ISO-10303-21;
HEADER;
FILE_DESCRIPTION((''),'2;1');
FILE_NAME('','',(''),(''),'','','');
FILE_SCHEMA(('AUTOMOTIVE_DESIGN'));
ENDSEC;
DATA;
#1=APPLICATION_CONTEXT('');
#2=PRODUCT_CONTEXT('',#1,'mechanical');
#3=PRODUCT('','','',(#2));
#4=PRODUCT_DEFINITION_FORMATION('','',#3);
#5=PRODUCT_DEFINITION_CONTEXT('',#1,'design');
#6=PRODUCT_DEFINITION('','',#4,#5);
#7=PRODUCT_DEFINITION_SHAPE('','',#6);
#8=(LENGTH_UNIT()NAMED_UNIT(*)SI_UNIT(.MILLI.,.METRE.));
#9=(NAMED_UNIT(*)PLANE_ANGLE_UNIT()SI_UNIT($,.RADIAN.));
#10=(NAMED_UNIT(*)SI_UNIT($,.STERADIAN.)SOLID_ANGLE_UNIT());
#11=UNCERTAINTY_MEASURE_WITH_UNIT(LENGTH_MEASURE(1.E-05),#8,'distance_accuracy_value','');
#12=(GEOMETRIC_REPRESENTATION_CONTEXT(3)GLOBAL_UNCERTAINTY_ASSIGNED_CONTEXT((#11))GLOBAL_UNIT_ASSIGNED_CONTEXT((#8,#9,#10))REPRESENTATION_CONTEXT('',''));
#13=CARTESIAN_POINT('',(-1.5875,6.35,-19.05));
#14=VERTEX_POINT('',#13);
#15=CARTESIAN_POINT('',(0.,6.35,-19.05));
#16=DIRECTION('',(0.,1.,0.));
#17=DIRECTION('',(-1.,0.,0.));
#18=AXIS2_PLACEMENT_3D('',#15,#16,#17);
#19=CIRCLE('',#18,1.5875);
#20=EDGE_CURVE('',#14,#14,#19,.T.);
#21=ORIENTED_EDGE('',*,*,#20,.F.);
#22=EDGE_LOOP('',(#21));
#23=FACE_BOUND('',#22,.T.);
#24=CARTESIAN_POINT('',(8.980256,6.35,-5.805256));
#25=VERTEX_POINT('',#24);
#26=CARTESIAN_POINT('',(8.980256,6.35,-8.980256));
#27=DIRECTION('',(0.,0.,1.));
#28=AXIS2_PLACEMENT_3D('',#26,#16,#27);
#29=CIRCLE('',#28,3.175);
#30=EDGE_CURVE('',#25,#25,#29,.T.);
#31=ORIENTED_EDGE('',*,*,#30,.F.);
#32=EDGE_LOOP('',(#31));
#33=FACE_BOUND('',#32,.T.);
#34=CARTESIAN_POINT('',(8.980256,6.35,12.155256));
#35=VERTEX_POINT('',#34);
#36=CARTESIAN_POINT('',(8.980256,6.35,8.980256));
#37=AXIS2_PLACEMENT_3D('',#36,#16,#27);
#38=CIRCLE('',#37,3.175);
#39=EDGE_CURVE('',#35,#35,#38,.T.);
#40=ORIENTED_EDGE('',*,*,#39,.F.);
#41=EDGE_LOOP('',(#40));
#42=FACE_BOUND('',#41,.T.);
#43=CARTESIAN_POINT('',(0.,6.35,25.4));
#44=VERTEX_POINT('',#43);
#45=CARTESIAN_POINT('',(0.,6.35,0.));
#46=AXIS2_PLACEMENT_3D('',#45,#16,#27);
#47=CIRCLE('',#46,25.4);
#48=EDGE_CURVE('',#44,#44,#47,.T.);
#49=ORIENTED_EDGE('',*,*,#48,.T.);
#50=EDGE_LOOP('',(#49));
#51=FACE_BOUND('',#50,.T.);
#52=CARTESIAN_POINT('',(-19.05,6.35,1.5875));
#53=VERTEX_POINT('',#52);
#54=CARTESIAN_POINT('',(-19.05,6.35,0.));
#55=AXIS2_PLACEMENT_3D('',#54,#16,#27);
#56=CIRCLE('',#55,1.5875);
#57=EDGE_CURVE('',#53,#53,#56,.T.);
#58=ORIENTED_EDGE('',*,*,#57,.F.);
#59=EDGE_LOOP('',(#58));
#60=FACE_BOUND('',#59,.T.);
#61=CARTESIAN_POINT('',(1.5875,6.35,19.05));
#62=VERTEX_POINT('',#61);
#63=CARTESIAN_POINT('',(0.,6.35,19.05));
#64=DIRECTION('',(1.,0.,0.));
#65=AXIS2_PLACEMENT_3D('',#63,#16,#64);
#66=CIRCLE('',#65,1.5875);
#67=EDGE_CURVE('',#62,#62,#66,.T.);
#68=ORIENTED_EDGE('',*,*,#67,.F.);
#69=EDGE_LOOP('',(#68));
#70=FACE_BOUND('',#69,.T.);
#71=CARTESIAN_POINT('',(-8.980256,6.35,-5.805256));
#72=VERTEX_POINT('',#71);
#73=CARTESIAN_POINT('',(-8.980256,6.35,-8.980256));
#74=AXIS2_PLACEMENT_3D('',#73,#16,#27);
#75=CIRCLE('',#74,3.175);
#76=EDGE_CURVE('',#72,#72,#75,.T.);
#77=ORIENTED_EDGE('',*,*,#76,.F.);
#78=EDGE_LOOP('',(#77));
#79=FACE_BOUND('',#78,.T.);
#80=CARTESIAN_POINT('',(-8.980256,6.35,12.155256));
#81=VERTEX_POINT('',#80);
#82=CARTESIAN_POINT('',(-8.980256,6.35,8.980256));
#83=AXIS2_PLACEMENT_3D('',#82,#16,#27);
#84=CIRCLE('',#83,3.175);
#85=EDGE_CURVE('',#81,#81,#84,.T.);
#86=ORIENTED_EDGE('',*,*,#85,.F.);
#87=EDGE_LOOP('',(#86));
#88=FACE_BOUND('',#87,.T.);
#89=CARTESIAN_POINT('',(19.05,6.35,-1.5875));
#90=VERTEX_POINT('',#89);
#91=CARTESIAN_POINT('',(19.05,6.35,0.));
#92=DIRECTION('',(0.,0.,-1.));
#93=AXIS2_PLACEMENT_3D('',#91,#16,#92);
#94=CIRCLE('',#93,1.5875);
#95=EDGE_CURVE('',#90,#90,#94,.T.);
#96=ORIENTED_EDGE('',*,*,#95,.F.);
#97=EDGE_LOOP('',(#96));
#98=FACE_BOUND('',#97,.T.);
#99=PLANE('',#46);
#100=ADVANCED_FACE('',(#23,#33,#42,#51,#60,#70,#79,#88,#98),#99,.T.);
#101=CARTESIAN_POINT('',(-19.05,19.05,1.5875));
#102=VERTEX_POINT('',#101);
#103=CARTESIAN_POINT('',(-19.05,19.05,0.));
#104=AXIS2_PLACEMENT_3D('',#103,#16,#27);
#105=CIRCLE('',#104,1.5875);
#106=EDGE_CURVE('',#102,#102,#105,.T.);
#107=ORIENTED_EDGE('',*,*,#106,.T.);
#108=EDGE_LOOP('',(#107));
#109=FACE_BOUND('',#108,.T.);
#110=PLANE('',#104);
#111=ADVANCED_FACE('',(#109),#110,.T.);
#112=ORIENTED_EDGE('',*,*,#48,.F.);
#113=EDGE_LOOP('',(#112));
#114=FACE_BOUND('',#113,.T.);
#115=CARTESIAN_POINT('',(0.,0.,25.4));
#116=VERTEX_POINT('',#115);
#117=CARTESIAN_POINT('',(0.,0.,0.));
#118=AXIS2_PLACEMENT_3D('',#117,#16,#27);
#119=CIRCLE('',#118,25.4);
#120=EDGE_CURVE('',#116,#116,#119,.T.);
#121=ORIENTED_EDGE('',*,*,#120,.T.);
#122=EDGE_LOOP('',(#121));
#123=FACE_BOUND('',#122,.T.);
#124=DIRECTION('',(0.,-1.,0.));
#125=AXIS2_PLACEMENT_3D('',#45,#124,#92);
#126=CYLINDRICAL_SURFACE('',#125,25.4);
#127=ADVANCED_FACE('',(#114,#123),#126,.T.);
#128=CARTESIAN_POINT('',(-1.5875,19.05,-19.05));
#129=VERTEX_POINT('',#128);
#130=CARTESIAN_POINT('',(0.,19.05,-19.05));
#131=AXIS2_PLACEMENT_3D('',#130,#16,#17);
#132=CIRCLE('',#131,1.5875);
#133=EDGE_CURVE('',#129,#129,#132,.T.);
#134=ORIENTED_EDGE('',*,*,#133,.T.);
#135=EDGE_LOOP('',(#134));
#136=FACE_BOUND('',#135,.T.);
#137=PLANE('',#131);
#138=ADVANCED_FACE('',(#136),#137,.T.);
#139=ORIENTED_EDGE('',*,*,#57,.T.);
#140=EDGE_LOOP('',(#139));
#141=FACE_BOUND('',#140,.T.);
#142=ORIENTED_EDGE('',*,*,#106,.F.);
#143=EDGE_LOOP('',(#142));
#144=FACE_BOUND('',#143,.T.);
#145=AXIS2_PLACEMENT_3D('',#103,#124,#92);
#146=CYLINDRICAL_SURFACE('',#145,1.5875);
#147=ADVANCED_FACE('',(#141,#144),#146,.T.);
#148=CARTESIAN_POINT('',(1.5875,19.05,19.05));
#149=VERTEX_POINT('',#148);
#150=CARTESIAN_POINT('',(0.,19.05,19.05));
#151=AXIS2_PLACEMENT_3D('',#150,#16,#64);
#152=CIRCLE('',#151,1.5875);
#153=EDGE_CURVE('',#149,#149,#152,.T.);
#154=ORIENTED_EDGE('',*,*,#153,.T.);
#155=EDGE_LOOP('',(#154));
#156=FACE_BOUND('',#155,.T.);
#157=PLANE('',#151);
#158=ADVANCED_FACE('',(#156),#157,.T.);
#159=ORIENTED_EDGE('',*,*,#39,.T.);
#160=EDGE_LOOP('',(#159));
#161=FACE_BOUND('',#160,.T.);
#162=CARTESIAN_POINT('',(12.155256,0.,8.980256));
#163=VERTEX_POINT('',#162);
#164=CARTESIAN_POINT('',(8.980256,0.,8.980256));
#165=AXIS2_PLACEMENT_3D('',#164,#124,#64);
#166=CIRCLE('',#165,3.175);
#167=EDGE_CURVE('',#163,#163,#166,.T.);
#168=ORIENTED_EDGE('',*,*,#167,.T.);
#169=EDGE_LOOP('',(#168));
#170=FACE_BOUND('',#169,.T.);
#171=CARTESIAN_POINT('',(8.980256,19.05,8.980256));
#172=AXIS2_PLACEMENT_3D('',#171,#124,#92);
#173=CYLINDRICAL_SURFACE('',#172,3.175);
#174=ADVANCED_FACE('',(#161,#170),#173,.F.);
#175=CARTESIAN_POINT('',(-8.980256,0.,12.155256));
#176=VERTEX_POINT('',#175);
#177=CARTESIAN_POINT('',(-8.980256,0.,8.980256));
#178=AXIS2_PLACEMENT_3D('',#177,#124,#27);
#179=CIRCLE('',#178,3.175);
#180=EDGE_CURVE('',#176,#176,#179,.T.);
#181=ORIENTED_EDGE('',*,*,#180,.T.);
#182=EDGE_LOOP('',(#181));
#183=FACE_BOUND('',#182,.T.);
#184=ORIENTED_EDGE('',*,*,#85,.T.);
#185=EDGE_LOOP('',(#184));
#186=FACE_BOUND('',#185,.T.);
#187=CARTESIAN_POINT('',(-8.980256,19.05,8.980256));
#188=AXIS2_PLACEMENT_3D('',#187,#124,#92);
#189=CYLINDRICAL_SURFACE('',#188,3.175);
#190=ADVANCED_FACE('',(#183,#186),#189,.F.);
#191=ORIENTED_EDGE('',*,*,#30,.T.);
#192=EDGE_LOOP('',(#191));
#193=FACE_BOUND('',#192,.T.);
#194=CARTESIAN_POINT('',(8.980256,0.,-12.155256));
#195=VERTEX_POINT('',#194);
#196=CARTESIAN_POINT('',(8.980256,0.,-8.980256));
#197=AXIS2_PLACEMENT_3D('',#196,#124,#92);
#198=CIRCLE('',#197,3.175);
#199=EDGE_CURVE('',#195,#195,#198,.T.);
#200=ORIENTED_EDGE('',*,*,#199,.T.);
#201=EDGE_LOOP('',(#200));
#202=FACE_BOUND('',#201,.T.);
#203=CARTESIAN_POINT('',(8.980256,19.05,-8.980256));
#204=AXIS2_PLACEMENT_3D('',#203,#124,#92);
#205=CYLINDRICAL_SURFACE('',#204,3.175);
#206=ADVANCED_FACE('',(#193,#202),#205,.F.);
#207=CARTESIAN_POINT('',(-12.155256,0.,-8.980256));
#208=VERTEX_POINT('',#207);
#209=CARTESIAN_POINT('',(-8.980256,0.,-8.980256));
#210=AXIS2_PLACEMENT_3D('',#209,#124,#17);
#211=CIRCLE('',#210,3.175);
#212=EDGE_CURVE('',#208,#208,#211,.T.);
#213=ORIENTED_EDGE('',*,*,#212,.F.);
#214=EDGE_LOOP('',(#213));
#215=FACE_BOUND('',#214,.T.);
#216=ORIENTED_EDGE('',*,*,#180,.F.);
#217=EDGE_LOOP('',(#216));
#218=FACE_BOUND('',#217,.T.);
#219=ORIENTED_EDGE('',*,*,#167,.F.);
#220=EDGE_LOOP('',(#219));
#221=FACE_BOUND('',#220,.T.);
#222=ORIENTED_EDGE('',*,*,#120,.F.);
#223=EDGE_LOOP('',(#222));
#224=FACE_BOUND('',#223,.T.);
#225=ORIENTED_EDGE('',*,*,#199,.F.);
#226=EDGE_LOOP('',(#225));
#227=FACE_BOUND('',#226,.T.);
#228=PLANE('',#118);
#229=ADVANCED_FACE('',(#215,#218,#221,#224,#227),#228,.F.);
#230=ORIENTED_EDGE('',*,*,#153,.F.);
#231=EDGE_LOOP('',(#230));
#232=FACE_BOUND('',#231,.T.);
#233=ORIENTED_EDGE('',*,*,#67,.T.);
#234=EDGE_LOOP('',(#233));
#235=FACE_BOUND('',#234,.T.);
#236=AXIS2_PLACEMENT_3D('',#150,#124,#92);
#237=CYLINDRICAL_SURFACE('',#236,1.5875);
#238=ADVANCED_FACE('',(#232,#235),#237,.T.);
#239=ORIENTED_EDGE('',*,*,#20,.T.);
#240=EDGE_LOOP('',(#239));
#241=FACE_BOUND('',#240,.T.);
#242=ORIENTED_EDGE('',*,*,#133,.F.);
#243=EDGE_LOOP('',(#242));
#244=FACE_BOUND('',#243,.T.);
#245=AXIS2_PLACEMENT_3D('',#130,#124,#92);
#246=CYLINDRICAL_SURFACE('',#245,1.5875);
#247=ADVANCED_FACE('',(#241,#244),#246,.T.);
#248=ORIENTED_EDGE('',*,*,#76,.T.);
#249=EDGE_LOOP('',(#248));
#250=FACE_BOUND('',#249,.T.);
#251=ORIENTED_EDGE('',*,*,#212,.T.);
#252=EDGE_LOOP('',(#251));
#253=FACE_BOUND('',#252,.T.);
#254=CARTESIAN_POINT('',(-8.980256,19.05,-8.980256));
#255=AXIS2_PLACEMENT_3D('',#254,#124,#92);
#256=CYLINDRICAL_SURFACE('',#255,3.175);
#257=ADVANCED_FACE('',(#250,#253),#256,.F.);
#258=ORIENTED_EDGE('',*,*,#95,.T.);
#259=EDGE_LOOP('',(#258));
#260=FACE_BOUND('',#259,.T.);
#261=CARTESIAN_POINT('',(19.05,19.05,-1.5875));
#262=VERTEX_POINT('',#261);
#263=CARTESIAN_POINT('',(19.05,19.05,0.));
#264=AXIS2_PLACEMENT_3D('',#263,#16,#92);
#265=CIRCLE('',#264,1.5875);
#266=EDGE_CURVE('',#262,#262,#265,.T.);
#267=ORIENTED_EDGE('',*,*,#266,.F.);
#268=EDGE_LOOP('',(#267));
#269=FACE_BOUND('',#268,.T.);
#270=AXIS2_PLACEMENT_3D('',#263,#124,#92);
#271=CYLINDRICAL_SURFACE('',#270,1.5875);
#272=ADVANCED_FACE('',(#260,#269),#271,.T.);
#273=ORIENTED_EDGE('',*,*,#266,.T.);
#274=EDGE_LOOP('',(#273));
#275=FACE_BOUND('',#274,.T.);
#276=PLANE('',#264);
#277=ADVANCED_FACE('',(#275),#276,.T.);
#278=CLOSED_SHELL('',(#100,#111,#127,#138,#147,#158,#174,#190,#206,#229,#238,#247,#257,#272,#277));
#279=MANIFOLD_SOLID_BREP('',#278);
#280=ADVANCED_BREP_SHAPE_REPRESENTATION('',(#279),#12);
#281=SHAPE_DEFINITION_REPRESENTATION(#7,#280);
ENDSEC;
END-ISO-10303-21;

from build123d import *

# Parameters (mm, degrees)
SKETCH1_R           = 25.4
BOSS_EXTRUDE1_DEPTH = 6.35
SKETCH2_R           = 1.5875
BOSS_EXTRUDE2_DEPTH = 12.7
CIRPATTERN1_COUNT   = 4
SKETCH3_R           = 3.175
CUT_EXTRUDE1_DEPTH  = 41.659838908
CIRPATTERN2_COUNT   = 4


with BuildPart() as part:
    # Sketch1 → Boss-Extrude1 (new body)
    with BuildSketch(Plane(origin=(0, 0, 0), x_dir=(1, 0, 0), z_dir=(0, 1, 0))):
        with Locations(Location((0, 0, 0), (0, 0, 270))):
            Circle(SKETCH1_R)
    extrude(amount=BOSS_EXTRUDE1_DEPTH)

    # Sketch2 → Boss-Extrude2 (add)
    with BuildSketch(Plane(origin=(0, 6.35, 0), x_dir=(1, 0, 0), z_dir=(0, 1, 0))):
        with Locations(Location((-19.05, 0, 0), (0, 0, 270))):
            Circle(SKETCH2_R)
    boss_extrude2 = extrude(amount=BOSS_EXTRUDE2_DEPTH)

    # CirPattern1: Boss-Extrude2 ×4 about axis
    cirpattern1_axis = Axis((0, 0, 0), (0, 1, 0))
    for i in range(1, CIRPATTERN1_COUNT):
        add(boss_extrude2.rotate(cirpattern1_axis, i * 360 / CIRPATTERN1_COUNT))

    # Sketch3 → Cut-Extrude1 (cut, through all)
    with BuildSketch(Plane.XZ):
        with Locations(Location((8.980256121, -8.980256121, 0), (0, 0, 270))):
            Circle(SKETCH3_R)
    cut_extrude1 = extrude(amount=-CUT_EXTRUDE1_DEPTH, mode=Mode.SUBTRACT)

    # CirPattern2: Cut-Extrude1 ×4 about axis
    cirpattern2_axis = Axis((0, 0, 0), (0, 1, 0))
    for i in range(1, CIRPATTERN2_COUNT):
        add(cut_extrude1.rotate(cirpattern2_axis, i * 360 / CIRPATTERN2_COUNT), mode=Mode.SUBTRACT)


solid = part.part
